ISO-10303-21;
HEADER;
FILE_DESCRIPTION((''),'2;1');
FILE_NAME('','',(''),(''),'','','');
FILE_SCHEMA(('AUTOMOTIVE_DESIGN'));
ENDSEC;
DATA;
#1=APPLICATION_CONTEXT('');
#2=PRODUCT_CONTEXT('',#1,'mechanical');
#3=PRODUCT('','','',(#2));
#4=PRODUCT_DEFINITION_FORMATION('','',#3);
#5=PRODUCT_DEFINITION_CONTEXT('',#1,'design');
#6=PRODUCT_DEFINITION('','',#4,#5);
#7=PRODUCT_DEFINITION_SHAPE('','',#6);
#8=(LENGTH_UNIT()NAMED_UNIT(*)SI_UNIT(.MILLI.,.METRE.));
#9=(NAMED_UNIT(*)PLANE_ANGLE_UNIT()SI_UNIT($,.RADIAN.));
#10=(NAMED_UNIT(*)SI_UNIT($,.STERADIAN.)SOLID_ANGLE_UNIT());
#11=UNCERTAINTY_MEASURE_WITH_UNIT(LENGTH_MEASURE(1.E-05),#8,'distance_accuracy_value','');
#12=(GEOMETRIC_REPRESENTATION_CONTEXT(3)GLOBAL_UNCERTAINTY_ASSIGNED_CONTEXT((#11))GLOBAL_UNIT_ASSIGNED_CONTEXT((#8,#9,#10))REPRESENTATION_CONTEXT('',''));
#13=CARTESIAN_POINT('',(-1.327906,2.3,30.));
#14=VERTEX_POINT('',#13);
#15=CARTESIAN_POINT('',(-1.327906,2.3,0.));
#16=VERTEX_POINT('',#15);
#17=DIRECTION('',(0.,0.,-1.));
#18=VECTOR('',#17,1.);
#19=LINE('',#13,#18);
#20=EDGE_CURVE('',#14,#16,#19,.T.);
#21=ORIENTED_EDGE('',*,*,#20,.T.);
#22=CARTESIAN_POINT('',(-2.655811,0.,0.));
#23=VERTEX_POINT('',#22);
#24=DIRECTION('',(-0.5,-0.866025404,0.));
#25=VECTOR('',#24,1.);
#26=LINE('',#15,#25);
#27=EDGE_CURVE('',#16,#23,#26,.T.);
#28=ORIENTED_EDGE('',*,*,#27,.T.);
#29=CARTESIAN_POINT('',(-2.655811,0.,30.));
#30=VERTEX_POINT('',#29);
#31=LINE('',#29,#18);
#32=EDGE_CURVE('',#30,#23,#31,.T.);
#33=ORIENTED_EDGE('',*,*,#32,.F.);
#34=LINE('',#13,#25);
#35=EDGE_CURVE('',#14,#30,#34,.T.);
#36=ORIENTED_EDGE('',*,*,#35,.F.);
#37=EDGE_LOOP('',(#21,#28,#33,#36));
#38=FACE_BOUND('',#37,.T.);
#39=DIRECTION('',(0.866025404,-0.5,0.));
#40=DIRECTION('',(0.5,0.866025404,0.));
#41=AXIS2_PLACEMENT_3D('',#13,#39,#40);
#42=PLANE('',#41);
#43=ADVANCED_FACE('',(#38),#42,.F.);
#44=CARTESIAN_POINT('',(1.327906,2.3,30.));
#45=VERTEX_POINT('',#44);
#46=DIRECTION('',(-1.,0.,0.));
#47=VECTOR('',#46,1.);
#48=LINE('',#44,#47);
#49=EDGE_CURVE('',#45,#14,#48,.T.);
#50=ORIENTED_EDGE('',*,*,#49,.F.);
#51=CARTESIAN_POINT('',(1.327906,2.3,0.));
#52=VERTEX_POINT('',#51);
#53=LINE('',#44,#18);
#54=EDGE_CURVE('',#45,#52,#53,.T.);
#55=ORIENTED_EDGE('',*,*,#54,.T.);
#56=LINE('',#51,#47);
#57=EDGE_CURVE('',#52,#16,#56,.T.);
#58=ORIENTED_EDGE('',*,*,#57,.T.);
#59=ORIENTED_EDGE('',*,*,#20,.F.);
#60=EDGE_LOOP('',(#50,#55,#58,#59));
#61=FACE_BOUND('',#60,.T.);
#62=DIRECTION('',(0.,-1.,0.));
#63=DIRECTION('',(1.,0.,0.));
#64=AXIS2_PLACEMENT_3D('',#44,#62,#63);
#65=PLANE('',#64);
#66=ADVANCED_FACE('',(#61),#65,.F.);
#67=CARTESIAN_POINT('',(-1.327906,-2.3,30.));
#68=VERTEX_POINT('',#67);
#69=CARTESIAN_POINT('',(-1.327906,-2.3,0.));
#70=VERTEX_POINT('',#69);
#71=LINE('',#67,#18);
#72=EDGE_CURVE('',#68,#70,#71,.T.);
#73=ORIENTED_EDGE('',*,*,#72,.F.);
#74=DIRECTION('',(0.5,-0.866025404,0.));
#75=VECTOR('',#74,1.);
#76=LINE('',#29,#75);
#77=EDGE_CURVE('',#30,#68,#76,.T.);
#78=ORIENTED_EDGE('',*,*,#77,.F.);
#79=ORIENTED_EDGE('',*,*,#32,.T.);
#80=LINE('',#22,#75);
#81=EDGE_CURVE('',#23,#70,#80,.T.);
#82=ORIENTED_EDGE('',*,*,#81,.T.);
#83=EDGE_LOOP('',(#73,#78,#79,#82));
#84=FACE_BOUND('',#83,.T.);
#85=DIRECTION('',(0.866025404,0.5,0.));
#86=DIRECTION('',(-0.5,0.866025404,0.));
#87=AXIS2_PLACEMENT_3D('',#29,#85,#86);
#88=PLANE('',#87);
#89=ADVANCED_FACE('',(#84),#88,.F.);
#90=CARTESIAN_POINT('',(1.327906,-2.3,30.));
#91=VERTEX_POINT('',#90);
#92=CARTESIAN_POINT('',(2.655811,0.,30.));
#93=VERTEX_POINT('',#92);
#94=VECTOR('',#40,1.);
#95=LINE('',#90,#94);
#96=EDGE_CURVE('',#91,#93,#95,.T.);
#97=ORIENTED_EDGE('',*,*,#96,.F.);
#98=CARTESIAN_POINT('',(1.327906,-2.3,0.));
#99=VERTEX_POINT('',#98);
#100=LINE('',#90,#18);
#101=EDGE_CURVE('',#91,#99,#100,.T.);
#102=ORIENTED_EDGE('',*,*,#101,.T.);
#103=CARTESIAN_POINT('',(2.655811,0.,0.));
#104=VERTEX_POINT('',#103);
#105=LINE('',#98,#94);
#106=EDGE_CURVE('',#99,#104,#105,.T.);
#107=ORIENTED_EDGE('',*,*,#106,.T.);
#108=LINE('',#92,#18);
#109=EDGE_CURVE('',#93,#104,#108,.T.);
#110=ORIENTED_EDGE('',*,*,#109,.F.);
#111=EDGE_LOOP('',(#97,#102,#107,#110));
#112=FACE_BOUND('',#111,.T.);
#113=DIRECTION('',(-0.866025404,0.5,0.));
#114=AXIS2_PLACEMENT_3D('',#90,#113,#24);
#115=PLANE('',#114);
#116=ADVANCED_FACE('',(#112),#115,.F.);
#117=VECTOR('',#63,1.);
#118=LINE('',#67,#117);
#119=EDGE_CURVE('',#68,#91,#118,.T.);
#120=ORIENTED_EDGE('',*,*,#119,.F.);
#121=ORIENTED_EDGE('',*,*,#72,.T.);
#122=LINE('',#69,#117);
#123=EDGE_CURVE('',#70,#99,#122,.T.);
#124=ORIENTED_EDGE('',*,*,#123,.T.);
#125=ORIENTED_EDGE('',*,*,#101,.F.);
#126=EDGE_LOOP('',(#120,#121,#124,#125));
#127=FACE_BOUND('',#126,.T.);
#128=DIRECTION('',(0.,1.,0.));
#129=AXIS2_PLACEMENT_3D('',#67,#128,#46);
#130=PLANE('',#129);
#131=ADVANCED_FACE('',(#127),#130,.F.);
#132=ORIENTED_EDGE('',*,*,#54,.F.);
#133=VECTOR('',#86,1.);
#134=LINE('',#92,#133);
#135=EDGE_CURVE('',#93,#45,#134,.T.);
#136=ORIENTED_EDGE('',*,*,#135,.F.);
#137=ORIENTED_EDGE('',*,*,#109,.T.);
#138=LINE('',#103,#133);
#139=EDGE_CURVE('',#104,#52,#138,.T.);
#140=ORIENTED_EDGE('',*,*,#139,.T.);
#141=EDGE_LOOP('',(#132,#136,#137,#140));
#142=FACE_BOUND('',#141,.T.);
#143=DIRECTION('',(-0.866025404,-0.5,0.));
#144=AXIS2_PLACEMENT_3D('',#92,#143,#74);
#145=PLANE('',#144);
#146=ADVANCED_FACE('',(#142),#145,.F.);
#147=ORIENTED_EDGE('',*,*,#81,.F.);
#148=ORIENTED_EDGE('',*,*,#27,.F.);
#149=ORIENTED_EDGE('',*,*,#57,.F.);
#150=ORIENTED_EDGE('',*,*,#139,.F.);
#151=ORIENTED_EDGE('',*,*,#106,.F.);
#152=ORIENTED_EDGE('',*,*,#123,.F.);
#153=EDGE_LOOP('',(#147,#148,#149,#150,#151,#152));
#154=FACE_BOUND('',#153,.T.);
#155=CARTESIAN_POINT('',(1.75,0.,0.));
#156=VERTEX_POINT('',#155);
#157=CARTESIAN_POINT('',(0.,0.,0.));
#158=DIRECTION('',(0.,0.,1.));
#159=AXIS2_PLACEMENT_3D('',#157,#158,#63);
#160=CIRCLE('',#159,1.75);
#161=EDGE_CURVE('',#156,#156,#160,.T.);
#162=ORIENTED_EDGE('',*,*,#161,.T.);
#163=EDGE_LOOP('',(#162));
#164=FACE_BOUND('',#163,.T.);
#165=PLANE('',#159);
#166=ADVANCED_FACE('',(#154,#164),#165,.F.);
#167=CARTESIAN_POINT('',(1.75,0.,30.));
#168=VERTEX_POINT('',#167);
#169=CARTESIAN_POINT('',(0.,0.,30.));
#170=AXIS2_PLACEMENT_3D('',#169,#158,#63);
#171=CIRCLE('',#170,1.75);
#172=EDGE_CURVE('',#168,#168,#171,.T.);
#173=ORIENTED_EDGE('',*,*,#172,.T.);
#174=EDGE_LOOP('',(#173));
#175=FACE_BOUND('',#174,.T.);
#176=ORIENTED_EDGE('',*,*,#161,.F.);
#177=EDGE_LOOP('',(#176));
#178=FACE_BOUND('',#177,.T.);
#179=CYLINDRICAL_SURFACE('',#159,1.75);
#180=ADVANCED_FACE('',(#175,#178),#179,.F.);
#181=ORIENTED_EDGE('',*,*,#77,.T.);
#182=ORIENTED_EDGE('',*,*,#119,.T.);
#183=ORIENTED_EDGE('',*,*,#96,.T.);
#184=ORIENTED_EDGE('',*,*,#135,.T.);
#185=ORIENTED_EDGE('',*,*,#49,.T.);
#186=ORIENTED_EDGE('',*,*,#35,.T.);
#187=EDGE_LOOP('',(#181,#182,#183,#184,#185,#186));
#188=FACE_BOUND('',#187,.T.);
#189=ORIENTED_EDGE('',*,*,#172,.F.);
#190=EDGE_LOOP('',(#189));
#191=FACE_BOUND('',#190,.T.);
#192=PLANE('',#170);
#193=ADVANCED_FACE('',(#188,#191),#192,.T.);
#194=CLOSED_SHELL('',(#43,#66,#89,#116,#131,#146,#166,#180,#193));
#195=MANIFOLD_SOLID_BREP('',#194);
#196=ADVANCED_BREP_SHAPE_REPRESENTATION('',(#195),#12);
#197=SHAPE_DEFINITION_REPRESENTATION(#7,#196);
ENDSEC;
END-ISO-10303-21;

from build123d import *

# Parameters (mm, degrees)
SALIENTE_EXTRUIR1_DEPTH = 30
CROQUIS2_R              = 1.75
CORTAR_EXTRUIR1_DEPTH   = 31.205021658


with BuildPart() as part:
    # Croquis1 → Saliente-Extruir1 (new body)
    with BuildSketch(Plane.XY):
        Polygon((2.655811238, 0), (1.327905619, 2.3), (-1.327905619, 2.3), (-2.655811238, 0), (-1.327905619, -2.3), (1.327905619, -2.3), align=None)
    extrude(amount=SALIENTE_EXTRUIR1_DEPTH)

    # Croquis2 → Cortar-Extruir1 (cut, through all)
    with BuildSketch(Plane.XY.offset(30)):
        Circle(CROQUIS2_R)
    extrude(amount=-CORTAR_EXTRUIR1_DEPTH, mode=Mode.SUBTRACT)


solid = part.part
